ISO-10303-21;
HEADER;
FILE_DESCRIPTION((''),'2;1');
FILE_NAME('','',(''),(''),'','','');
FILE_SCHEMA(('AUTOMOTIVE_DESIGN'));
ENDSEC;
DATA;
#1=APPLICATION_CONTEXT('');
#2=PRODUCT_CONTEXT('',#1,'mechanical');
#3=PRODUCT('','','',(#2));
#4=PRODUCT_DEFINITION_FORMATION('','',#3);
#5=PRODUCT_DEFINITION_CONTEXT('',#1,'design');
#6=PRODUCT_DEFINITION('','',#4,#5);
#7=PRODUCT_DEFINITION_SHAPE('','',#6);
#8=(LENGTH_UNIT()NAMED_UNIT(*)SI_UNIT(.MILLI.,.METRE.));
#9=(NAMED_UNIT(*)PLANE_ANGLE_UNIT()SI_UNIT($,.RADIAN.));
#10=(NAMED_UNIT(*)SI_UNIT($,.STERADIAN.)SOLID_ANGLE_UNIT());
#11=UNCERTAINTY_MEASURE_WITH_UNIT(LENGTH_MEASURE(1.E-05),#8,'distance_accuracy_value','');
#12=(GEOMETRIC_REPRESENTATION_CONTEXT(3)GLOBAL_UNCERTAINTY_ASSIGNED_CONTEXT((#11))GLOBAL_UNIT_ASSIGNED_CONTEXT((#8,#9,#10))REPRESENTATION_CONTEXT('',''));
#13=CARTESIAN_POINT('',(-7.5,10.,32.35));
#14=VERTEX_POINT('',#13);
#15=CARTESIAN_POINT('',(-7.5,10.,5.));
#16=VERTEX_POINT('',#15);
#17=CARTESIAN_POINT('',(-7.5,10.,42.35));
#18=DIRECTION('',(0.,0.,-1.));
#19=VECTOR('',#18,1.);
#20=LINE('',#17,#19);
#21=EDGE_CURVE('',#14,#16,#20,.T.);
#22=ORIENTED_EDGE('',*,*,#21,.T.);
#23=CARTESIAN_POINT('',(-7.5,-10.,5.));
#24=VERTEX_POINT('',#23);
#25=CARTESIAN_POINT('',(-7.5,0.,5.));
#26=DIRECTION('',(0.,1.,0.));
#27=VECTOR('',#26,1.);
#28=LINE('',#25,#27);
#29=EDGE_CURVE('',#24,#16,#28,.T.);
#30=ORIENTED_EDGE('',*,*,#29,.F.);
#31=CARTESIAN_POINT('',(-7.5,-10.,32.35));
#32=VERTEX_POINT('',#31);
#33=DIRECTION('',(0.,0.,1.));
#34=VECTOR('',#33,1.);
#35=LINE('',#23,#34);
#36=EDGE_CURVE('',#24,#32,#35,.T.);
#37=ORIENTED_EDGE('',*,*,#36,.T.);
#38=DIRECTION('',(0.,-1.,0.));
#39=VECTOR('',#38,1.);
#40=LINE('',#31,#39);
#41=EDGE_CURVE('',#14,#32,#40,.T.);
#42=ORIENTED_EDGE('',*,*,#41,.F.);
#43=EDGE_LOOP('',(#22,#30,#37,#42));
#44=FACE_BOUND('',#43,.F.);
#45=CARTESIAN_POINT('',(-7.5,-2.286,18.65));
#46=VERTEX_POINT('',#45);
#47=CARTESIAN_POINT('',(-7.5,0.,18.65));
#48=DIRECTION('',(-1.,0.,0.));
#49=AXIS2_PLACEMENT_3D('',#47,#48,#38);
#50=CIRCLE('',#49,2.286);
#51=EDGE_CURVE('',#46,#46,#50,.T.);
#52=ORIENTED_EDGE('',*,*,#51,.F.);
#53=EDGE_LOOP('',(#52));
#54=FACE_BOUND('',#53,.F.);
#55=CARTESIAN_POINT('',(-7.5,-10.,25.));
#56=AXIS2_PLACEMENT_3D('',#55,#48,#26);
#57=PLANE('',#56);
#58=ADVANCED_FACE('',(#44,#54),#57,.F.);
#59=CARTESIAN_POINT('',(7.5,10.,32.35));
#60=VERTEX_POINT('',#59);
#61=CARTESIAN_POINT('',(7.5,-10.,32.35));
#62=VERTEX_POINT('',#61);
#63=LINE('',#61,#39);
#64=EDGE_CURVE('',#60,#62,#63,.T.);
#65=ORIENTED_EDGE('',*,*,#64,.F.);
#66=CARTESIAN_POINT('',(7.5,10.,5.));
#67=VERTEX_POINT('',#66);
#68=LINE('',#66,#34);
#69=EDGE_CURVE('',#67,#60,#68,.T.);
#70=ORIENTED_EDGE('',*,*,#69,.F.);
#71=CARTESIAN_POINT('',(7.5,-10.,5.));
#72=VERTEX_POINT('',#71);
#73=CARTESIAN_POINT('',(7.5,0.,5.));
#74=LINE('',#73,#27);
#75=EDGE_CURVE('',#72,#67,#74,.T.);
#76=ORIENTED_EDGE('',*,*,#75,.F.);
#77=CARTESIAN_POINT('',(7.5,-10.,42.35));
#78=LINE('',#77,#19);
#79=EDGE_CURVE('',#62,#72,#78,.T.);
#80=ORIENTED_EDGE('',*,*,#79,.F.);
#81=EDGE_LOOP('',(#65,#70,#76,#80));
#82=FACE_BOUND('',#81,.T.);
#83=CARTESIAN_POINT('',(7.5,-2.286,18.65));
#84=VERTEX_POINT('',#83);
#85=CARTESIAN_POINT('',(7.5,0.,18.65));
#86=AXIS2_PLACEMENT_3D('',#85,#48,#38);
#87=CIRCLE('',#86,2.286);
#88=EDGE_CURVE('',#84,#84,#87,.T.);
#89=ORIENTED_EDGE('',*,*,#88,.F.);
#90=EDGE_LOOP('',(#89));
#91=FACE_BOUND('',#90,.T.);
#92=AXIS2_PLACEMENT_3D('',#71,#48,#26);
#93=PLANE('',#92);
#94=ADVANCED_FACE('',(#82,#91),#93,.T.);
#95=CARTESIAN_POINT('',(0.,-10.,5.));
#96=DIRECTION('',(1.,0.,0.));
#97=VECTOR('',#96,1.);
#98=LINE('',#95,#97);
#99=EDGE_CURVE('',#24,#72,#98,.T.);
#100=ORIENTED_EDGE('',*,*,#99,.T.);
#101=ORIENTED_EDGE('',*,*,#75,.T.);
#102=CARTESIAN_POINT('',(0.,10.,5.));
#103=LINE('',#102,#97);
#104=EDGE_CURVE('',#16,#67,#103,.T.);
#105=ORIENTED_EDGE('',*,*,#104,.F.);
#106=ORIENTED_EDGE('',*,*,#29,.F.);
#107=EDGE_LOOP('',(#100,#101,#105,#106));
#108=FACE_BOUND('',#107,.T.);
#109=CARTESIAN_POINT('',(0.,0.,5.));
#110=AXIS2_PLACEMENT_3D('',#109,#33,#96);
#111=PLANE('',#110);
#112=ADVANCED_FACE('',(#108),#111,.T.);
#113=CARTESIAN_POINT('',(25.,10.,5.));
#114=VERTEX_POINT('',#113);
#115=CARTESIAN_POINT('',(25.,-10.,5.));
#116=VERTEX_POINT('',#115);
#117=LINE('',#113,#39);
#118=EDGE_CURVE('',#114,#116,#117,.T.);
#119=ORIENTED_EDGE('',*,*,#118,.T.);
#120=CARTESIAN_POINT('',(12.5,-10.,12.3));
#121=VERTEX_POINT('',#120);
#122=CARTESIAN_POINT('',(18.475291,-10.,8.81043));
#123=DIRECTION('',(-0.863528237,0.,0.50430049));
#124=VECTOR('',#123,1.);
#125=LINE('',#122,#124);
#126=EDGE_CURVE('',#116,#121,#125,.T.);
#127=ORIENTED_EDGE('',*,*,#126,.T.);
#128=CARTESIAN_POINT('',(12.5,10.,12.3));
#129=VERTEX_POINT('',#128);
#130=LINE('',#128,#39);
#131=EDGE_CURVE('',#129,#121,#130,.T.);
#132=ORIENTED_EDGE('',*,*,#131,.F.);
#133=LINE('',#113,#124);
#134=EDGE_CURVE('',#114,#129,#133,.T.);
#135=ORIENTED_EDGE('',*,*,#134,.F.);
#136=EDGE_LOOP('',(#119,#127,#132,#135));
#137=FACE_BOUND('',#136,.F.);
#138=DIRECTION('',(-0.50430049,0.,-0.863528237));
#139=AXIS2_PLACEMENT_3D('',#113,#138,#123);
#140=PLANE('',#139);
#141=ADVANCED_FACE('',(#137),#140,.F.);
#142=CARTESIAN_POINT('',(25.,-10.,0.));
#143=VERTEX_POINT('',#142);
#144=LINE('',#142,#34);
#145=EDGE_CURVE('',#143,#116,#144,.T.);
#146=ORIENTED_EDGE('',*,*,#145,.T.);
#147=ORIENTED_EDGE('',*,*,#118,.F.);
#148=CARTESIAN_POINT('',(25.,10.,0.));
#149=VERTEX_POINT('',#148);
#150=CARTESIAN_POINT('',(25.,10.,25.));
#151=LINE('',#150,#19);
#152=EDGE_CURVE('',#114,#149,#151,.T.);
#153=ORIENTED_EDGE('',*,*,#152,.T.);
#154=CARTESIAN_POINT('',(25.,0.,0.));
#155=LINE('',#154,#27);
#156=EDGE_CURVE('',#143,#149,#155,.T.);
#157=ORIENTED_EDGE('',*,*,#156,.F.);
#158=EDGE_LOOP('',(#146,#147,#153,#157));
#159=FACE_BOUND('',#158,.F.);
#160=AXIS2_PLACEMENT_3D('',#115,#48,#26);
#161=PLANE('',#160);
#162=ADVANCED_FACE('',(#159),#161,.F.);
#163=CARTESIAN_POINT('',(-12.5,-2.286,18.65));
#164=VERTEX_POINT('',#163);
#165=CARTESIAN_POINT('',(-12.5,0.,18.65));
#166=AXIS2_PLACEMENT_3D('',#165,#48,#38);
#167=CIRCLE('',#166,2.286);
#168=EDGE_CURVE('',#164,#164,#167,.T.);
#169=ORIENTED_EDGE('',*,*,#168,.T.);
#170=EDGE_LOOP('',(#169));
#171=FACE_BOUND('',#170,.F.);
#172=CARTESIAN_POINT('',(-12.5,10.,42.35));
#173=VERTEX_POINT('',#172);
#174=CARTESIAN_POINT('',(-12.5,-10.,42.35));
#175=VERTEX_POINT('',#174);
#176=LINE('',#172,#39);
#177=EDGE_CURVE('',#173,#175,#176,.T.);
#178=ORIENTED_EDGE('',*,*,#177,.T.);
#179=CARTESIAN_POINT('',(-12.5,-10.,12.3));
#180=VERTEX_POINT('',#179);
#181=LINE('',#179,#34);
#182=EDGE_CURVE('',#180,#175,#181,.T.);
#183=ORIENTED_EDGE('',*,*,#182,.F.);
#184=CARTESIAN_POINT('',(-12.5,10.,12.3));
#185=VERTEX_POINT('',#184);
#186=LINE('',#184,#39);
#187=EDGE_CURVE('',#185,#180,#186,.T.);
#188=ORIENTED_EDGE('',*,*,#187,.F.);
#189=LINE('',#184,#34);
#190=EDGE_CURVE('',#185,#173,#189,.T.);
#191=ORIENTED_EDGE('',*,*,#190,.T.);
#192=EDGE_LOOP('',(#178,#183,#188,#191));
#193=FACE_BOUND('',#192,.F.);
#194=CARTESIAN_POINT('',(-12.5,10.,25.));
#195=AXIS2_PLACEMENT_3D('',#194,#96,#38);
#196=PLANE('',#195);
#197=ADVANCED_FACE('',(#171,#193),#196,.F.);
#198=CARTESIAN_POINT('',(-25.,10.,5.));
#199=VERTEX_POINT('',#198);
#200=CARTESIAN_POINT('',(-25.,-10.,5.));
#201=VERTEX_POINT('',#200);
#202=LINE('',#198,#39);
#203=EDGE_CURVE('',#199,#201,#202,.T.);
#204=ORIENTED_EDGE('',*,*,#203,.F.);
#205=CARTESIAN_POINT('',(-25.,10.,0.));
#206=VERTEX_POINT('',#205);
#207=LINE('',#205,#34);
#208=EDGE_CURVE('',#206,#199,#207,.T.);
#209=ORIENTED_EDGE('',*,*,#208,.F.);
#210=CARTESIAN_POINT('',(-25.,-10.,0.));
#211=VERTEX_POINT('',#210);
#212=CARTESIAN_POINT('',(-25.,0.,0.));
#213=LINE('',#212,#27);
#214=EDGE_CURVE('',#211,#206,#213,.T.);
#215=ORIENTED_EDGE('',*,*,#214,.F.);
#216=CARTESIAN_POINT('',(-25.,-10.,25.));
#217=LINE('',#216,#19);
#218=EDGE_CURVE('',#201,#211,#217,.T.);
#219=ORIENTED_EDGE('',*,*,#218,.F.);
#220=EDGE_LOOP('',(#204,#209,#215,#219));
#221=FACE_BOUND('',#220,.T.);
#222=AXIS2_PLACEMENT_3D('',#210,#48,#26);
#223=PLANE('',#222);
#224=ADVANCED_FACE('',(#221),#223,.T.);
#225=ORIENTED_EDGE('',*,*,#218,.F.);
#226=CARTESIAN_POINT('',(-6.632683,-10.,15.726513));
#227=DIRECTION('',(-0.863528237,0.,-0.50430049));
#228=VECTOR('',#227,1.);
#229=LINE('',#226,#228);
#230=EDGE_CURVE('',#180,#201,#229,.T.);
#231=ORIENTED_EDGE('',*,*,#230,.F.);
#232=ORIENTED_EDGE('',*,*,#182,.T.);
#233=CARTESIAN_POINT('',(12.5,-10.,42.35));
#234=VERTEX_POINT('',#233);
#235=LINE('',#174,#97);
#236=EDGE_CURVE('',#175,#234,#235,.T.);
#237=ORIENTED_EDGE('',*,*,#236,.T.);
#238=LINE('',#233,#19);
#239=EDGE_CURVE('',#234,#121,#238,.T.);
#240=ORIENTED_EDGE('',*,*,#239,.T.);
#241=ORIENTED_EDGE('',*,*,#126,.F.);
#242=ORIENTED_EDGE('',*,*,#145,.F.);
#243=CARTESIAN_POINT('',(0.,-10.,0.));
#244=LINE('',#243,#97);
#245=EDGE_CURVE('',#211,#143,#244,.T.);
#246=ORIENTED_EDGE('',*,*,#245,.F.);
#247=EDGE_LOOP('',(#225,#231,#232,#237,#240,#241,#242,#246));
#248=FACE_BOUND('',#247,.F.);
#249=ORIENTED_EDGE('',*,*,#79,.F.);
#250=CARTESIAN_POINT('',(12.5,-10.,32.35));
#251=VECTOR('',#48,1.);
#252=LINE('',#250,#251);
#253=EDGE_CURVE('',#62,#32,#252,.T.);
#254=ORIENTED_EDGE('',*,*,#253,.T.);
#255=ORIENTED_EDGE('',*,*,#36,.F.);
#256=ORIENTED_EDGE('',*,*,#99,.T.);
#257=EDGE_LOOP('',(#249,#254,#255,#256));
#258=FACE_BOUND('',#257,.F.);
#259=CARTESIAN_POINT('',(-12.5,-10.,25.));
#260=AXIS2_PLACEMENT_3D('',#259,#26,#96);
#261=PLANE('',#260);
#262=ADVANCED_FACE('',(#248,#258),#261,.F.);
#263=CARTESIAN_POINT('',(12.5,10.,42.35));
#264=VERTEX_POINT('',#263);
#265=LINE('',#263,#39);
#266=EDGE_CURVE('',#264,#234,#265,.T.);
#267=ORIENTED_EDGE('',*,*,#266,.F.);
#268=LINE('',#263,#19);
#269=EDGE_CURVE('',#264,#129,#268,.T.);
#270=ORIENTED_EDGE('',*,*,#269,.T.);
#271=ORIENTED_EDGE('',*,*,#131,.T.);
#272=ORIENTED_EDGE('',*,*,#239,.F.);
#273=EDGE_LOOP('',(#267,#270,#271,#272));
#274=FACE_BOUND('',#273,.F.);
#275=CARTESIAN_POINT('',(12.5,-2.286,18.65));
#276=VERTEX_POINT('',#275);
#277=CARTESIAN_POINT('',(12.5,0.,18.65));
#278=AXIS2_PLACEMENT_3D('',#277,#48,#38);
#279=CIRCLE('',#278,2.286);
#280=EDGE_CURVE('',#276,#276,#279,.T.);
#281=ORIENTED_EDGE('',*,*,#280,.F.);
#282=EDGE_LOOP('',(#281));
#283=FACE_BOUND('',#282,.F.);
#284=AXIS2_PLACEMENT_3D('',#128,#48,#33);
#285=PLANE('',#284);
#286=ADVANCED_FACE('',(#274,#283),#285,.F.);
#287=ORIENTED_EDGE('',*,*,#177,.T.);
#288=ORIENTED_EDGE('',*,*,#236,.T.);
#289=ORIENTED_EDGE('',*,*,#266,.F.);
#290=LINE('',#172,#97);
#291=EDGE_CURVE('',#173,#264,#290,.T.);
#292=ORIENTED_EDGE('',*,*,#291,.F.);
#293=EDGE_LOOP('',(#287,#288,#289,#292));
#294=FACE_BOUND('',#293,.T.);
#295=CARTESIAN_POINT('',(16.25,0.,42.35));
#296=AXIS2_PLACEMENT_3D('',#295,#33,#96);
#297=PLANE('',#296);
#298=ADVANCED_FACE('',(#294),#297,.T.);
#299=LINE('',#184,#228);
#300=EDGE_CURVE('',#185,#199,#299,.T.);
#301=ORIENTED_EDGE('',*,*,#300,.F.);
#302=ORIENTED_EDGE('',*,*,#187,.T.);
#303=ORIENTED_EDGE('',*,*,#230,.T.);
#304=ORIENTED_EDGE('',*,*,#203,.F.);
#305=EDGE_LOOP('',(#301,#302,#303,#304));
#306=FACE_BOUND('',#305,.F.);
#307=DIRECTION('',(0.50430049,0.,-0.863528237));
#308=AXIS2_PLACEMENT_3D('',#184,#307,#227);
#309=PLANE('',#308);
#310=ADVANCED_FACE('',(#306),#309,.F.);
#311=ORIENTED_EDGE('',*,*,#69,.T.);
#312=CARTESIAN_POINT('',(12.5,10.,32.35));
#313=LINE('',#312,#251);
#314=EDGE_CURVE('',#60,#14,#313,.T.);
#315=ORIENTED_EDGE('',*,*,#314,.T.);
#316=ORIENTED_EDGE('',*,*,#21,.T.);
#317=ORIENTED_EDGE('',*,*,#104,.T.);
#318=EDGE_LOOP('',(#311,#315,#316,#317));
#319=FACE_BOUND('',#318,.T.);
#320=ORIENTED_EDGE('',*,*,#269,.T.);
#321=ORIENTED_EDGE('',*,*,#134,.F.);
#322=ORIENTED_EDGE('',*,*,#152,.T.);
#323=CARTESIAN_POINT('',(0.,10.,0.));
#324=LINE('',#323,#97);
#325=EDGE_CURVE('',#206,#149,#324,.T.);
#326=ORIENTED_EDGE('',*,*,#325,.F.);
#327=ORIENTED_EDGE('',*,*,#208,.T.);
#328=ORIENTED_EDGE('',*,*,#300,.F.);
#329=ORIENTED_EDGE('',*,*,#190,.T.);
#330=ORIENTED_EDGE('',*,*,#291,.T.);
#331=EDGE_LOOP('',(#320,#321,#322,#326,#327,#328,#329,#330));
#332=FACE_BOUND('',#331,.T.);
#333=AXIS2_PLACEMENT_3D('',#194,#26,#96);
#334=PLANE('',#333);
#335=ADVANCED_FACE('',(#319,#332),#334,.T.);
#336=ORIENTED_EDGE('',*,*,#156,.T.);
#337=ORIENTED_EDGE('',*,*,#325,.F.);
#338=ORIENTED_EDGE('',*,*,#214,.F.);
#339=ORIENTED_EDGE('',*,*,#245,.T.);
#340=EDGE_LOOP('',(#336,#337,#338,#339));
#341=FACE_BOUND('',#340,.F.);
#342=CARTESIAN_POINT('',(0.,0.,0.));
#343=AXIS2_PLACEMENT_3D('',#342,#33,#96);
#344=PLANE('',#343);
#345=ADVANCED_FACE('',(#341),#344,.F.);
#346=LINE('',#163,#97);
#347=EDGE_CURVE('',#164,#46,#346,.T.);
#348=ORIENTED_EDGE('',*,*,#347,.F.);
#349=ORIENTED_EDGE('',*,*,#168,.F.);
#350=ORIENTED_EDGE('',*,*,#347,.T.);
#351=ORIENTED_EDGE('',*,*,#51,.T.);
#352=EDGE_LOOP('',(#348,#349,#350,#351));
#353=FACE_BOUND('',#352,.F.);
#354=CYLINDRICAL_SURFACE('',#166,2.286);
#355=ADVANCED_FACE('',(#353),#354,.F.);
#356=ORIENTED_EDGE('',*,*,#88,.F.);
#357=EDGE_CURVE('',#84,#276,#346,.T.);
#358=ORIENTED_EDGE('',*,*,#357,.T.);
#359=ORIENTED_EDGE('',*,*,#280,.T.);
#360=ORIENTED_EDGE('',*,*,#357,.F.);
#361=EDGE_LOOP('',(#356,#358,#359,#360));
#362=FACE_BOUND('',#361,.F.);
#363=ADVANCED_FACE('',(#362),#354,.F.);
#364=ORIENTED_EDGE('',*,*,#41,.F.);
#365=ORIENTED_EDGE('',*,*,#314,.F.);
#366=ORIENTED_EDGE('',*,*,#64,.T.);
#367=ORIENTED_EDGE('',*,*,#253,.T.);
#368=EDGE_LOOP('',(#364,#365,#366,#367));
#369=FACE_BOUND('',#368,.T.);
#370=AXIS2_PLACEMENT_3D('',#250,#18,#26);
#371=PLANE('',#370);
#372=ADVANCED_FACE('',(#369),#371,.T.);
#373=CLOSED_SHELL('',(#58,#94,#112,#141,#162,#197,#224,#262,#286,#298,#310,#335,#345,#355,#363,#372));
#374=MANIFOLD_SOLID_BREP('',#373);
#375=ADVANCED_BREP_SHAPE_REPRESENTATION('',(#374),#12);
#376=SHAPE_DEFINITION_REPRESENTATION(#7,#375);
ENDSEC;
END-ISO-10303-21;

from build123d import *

# Parameters (mm, degrees)
F0_W      = 50
F0_H      = 20
F1_DEPTH  = 5
F2_W      = 17.5
F2_H      = 20
F3_DEPTH  = 20
F5_DEPTH  = 20.001
F6_R      = 2.286
F7_DEPTH  = 37.501
F8_DEPTH  = 17.35
F9_W      = 20
F9_H      = 10
F10_DEPTH = 25


with BuildPart() as f1:
    # F0 (on Top) → F1 (new body)
    with BuildSketch(Plane.XY):
        Rectangle(F0_W, F0_H)
    extrude(amount=F1_DEPTH)

    # F2 (on face) → F3 (join)
    with BuildSketch(Plane.XY.offset(5)):
        with Locations((16.25, 0)):
            Rectangle(F2_W, F2_H)
        with Locations((-16.25, 0)):
            Rectangle(F2_W, F2_H)
    extrude(amount=F3_DEPTH)

    # F4 (on face) → F5 (cut, through all)
    with BuildSketch(Plane(origin=(0, 10, 0), x_dir=(-1, 0, 0), z_dir=(0, 1, 0))):
        Polygon((-25, 5), (-12.5, 12.3), (-12.5, 25), (-25, 25), align=None)
        Polygon((12.5, 25), (12.5, 12.3), (25, 5), (25, 25), align=None)
    extrude(amount=-F5_DEPTH, mode=Mode.SUBTRACT)

    # F6 (on face) → F7 (cut, through all)
    with BuildSketch(Plane(origin=(-12.5, 0, 0), x_dir=(0, -1, 0), z_dir=(-1, 0, 0))):
        with Locations((0, 18.65)):
            Circle(F6_R)
    extrude(amount=-F7_DEPTH, mode=Mode.SUBTRACT)

    # F8 (add): faces of the model
    f8_faces = [f1.faces().sort_by_distance(p)[0] for p in [
        (-10, 0, 25),
        (10, 0, 25),
    ]]
    extrude(f8_faces, amount=F8_DEPTH)

    # F9 (on face) → F10 (join, through all)
    with BuildSketch(Plane.YZ.offset(12.5)):
        with Locations((0, 37.35)):
            Rectangle(F9_W, F9_H)
    extrude(amount=-F10_DEPTH)


solid = f1.part
